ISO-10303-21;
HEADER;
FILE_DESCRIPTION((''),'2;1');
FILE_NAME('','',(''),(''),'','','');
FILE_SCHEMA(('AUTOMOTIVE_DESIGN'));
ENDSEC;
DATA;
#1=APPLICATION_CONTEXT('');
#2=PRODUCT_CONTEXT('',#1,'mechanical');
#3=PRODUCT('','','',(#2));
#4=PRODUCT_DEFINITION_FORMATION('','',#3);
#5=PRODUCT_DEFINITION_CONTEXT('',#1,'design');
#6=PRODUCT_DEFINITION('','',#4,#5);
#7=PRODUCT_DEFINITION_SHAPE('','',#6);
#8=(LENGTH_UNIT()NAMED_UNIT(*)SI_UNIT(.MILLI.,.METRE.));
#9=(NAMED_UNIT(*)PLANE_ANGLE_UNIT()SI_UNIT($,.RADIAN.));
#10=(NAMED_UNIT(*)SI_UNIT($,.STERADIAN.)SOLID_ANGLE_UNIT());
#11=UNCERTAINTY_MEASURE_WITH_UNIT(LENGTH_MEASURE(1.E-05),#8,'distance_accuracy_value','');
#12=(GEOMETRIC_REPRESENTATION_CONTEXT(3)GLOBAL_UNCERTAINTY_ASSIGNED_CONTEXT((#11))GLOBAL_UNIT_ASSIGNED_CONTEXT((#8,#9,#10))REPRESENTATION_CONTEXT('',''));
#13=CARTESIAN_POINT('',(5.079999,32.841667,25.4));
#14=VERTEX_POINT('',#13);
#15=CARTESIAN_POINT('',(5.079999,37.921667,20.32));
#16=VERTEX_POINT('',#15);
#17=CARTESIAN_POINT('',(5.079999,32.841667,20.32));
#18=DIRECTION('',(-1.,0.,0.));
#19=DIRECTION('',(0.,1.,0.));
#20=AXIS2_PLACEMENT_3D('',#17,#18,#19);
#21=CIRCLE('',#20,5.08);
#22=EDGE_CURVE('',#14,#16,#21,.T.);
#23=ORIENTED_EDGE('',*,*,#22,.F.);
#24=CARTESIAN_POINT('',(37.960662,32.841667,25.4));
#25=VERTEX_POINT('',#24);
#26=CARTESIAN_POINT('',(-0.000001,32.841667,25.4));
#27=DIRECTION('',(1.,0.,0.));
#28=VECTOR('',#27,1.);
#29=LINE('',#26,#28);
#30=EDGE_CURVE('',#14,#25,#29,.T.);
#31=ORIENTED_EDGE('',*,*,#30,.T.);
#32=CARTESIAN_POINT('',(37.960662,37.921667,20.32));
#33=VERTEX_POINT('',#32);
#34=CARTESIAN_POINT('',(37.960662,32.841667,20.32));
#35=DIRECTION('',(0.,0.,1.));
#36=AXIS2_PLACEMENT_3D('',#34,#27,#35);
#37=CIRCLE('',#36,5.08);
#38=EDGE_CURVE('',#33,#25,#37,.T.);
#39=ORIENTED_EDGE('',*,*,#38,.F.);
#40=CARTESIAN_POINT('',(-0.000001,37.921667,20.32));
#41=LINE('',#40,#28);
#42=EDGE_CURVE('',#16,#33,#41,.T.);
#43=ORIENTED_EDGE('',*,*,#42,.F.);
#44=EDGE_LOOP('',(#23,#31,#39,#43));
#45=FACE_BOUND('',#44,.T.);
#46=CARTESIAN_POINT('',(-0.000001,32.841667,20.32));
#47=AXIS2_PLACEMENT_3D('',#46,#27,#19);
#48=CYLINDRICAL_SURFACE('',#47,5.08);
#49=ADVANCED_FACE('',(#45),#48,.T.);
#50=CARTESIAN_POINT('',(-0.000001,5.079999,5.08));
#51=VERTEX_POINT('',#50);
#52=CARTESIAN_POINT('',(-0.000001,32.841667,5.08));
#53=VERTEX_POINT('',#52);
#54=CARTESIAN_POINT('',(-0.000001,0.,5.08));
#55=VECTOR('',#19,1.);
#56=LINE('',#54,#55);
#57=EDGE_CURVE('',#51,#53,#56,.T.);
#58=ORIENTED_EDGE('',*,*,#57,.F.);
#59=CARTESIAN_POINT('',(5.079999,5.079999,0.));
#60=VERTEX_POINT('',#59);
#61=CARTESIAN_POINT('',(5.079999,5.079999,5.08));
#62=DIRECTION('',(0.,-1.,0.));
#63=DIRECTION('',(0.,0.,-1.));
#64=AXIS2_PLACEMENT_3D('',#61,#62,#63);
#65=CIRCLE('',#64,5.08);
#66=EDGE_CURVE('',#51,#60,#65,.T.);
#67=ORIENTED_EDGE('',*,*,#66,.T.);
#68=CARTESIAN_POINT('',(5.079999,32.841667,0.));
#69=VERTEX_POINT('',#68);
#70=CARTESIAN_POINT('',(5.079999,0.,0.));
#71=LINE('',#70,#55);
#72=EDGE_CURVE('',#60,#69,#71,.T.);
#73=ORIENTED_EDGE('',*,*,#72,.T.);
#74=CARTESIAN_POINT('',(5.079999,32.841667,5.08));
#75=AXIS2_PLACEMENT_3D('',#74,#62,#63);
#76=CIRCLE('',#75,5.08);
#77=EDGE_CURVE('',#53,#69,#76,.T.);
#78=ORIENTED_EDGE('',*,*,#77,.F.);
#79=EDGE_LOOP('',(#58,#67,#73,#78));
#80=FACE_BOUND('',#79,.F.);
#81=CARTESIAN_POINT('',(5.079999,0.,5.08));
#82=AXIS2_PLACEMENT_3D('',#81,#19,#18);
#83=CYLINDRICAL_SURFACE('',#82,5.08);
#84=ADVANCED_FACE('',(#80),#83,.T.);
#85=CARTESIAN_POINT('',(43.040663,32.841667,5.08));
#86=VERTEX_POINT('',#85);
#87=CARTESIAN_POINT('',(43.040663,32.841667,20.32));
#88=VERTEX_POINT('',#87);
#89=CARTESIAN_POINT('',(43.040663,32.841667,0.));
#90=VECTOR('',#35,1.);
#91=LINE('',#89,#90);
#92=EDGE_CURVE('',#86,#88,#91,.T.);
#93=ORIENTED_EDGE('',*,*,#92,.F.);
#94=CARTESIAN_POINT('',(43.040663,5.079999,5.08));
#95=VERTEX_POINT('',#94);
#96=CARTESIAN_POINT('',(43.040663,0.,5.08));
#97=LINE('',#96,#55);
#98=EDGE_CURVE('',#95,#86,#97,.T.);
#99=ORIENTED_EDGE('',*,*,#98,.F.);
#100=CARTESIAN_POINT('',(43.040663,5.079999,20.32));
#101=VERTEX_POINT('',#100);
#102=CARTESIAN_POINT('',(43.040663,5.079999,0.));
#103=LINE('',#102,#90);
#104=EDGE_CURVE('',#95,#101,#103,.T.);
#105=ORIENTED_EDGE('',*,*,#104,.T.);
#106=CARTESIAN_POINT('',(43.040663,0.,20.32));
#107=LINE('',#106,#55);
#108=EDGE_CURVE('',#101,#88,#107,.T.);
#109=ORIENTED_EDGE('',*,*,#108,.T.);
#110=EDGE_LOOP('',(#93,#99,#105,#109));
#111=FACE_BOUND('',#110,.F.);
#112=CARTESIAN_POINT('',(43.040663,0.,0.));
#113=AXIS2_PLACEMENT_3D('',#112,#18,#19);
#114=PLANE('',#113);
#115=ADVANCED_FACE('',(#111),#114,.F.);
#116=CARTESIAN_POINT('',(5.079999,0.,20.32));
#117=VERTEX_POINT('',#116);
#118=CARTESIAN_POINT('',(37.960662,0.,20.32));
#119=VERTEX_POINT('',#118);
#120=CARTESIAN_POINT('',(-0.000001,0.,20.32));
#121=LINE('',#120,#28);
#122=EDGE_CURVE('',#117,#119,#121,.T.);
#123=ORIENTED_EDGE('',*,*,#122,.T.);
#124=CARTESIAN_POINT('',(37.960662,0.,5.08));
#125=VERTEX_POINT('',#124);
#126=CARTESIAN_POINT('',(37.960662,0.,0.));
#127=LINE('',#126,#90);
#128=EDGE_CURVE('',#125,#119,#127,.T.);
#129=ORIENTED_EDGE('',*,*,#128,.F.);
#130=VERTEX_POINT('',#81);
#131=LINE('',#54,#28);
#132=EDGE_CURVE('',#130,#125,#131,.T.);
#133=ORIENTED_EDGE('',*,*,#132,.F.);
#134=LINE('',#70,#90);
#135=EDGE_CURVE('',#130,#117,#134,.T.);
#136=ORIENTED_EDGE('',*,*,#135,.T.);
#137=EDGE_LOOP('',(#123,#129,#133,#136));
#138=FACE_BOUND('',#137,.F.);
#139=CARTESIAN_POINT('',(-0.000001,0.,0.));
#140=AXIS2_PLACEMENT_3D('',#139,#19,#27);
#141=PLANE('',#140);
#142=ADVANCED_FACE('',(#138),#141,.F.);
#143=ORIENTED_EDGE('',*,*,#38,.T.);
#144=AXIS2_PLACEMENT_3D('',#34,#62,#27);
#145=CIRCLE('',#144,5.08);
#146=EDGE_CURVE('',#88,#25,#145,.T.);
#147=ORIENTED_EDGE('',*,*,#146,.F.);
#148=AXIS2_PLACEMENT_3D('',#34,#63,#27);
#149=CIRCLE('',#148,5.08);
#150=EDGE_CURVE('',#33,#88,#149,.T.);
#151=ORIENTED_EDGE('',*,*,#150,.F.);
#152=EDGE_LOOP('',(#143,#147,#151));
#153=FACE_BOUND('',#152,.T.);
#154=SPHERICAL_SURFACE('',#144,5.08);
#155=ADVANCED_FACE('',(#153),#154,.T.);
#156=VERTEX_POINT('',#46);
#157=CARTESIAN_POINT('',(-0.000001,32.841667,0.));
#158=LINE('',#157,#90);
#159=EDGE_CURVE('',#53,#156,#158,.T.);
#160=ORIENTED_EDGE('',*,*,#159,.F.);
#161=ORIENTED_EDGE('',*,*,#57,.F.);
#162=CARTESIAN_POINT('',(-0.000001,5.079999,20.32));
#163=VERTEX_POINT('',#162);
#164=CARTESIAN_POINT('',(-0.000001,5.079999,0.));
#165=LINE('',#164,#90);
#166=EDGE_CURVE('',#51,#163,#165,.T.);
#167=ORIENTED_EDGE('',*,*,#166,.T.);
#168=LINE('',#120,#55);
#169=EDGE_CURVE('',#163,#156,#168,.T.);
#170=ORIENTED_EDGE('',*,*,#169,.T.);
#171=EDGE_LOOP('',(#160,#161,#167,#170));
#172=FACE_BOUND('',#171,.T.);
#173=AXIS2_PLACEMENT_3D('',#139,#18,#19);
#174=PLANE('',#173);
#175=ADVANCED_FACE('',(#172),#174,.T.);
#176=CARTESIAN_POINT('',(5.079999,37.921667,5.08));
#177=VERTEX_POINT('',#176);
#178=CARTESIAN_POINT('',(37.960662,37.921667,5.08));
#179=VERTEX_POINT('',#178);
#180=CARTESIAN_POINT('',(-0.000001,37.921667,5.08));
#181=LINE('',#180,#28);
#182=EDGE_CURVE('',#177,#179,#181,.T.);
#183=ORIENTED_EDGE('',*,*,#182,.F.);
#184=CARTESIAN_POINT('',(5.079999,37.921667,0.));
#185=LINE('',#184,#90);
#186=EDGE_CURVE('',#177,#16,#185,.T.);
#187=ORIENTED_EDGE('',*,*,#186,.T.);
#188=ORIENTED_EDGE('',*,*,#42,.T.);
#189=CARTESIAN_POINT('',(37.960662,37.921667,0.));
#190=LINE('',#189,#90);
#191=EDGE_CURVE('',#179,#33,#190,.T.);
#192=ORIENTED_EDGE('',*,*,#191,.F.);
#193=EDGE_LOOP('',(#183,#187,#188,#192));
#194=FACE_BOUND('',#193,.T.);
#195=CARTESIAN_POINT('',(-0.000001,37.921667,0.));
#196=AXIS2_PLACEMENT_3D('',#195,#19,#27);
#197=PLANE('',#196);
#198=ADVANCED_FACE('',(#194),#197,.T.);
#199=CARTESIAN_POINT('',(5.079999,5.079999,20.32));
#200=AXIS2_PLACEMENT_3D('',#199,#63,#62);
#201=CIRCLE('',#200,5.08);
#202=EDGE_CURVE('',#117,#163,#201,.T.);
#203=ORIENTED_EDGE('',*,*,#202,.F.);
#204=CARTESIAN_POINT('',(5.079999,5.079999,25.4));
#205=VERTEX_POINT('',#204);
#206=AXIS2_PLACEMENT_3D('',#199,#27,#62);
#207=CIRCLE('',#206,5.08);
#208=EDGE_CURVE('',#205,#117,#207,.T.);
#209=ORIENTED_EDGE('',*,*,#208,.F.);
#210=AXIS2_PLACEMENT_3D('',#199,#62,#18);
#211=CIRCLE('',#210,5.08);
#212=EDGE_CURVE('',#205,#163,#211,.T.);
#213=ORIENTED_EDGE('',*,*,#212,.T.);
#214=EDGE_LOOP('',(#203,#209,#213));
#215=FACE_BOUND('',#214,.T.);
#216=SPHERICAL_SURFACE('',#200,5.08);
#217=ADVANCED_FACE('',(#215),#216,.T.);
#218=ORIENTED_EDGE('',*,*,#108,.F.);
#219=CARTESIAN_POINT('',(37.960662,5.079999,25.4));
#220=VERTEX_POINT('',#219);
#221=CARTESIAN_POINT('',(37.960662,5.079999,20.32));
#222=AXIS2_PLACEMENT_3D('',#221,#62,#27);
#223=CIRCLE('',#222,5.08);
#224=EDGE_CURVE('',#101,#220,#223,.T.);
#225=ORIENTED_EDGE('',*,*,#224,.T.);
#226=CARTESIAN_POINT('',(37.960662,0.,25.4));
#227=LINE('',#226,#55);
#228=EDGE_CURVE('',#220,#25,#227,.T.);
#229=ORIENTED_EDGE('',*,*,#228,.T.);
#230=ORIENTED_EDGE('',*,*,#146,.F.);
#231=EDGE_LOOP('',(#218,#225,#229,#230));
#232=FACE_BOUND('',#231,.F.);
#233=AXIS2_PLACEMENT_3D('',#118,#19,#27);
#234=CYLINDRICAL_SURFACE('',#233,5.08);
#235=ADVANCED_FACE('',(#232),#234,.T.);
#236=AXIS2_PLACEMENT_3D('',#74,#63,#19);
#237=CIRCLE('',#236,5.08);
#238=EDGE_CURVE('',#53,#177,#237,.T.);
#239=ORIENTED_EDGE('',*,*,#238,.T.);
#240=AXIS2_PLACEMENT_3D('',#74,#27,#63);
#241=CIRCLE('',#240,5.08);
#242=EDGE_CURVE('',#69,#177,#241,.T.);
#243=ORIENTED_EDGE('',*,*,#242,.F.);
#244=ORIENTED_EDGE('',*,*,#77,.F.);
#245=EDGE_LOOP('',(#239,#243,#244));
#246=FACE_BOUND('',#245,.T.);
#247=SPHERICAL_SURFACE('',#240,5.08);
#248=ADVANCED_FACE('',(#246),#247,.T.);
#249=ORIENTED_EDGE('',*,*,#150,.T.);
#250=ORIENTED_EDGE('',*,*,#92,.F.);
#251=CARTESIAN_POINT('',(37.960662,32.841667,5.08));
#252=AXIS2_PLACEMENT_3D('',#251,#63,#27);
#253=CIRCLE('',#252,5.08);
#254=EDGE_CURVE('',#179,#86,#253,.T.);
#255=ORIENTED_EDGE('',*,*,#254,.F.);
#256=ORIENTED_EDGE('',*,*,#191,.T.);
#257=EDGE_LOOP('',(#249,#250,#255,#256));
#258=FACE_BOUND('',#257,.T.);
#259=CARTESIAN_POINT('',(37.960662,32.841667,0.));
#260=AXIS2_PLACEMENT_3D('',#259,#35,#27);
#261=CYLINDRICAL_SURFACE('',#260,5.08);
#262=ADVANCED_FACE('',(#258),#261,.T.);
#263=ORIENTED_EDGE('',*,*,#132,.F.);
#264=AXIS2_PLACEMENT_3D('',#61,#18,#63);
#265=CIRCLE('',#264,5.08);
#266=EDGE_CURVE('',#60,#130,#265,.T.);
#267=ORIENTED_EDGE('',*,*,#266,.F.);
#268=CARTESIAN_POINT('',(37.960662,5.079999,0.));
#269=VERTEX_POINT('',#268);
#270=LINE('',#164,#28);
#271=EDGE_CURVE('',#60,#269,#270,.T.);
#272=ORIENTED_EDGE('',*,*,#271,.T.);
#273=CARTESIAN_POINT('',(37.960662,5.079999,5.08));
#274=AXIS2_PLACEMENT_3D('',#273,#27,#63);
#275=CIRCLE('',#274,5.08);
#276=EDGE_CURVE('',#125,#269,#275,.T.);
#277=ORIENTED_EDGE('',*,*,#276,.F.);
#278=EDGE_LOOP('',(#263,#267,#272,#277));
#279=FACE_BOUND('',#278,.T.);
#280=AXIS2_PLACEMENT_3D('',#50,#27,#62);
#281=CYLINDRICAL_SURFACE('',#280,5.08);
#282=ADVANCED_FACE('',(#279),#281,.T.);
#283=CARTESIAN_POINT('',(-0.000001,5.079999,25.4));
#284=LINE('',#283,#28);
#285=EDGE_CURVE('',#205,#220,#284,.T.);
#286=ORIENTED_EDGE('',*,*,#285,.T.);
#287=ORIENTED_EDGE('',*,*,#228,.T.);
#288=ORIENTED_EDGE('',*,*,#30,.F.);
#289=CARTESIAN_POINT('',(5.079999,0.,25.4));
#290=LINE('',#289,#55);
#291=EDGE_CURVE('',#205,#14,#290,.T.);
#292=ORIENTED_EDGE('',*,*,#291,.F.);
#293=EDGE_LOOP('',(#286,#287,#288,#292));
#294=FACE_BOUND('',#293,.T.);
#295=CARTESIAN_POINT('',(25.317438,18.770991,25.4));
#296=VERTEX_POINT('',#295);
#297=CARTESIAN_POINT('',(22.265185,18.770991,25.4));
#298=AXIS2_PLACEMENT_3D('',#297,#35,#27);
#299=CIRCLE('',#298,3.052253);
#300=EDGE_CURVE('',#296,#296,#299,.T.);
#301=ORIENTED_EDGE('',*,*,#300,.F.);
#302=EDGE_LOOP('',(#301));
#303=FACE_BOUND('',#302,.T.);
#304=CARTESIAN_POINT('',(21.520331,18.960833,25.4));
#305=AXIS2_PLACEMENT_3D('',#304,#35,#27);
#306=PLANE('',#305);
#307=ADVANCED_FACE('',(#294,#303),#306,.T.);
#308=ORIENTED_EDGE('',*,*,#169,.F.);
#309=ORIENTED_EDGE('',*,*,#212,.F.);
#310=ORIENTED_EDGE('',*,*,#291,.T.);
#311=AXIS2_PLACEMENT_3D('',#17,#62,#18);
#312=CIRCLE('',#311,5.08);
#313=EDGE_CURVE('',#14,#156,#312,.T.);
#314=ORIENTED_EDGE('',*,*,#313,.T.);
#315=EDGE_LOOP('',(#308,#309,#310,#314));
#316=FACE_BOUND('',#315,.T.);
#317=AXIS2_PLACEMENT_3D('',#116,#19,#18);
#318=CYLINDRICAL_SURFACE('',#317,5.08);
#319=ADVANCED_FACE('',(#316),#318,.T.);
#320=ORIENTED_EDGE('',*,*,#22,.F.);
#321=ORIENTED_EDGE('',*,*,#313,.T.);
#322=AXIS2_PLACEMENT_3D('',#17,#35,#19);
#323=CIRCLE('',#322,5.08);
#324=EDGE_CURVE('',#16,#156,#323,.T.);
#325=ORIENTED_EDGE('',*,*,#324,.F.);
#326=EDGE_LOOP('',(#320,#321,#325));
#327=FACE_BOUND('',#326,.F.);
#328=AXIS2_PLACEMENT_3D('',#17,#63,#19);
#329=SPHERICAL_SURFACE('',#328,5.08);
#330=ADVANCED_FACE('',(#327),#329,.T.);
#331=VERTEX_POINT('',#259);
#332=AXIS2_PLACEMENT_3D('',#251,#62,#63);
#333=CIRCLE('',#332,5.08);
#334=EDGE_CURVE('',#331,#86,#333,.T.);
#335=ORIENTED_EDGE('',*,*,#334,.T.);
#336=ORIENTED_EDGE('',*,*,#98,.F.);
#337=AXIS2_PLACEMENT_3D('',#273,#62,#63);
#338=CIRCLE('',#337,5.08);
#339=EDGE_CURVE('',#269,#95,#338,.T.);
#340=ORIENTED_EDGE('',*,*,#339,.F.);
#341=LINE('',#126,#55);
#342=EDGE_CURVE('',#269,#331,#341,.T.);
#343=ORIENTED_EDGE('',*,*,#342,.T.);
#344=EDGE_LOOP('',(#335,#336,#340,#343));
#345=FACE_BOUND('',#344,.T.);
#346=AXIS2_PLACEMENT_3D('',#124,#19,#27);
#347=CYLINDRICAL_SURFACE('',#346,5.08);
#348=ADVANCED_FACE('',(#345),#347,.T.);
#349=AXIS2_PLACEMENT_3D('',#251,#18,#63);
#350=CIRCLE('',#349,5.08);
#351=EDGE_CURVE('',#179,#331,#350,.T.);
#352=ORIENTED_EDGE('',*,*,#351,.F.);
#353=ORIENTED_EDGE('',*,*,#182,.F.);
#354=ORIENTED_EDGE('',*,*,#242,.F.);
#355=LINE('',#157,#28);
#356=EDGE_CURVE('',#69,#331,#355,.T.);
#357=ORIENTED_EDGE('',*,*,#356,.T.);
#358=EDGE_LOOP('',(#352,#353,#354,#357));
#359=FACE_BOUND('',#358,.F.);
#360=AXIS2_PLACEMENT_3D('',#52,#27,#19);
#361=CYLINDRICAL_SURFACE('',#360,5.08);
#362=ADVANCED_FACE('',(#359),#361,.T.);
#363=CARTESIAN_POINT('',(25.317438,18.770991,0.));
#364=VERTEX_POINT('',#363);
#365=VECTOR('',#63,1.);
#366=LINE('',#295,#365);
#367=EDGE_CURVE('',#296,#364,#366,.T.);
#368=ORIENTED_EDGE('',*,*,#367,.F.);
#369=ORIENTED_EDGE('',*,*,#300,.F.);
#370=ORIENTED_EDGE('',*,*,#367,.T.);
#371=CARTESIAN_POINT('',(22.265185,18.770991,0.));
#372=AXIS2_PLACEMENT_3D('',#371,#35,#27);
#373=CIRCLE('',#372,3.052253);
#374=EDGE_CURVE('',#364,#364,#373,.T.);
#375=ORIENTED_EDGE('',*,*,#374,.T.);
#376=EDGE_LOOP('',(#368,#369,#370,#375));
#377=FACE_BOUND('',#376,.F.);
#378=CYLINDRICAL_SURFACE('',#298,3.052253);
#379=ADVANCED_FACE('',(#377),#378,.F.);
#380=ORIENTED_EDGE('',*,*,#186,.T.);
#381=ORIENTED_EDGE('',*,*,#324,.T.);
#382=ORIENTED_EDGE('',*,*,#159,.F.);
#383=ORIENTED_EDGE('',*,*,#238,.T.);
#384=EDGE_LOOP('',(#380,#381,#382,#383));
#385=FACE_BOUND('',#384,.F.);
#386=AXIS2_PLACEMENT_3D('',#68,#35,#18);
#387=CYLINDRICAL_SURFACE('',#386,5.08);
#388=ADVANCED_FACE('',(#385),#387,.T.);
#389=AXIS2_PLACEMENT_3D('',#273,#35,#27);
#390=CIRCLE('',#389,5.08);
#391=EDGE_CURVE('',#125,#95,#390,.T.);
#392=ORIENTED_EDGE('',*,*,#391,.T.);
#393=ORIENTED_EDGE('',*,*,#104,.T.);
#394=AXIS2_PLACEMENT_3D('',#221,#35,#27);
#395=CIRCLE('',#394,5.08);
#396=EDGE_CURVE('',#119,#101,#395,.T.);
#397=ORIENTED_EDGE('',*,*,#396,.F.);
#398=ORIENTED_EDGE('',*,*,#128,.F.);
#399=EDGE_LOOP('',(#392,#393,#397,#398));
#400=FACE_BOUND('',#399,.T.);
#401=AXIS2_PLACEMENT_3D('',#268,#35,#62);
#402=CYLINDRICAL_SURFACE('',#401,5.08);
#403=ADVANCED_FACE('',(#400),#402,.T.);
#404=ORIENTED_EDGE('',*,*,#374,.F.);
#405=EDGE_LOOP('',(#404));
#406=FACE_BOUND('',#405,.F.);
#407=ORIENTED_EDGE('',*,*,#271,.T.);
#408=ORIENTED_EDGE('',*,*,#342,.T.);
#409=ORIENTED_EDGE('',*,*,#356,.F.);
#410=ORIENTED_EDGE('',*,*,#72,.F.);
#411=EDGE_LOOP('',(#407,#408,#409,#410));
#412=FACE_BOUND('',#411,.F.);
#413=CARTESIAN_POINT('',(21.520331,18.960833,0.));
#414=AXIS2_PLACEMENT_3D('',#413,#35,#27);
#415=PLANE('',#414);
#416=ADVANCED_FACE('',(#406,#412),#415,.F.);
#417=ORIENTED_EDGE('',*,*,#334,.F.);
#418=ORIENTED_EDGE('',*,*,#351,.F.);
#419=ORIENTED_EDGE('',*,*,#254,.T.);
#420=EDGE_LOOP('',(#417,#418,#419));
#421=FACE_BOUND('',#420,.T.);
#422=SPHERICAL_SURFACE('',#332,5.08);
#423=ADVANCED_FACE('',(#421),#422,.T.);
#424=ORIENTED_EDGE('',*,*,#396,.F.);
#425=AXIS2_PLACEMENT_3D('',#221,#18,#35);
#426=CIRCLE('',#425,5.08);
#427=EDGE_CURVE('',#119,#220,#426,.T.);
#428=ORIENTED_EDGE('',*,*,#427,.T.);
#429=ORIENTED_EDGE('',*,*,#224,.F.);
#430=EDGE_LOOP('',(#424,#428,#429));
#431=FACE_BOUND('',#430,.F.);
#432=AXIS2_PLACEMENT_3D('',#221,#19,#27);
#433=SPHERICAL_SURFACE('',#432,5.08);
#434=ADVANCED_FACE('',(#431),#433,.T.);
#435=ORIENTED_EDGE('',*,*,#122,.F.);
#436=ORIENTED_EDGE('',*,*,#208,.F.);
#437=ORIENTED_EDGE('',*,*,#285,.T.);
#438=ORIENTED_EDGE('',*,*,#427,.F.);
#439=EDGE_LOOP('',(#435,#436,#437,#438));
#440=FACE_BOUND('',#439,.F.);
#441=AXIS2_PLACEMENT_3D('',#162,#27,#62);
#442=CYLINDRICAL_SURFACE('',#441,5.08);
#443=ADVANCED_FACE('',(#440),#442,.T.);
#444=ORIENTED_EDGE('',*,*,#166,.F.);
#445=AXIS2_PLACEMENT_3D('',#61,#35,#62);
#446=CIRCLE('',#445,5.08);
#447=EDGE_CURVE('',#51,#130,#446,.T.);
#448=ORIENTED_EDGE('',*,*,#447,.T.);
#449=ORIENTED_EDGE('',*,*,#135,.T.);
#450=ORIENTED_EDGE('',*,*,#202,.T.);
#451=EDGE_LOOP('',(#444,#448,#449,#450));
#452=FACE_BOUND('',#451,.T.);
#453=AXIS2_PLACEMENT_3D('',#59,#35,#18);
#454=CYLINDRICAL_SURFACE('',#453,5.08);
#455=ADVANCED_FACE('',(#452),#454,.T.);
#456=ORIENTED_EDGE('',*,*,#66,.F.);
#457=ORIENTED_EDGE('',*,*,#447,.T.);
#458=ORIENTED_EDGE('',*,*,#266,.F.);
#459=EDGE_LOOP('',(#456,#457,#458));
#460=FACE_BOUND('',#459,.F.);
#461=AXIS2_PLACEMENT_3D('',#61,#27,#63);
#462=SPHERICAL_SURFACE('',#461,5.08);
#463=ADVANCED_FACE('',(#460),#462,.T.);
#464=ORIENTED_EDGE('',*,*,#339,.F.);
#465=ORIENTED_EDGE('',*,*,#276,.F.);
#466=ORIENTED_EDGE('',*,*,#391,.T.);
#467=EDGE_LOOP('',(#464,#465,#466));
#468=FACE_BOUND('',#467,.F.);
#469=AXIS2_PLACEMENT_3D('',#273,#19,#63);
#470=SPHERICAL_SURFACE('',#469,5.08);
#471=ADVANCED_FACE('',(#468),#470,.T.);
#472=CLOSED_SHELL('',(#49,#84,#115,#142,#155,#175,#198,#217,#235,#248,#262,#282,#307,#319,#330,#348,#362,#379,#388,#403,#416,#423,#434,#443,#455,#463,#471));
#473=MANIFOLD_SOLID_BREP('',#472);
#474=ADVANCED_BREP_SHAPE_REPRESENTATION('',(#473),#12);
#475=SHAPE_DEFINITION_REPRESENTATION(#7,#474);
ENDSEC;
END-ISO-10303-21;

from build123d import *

# Parameters (mm, degrees)
F0_W     = 43.040663
F0_H     = 37.921667
F1_DEPTH = 25.4
F2_R     = 5.08
F3_R     = 3.052253
F4_DEPTH = 25.4


with BuildPart() as f1:
    # F0 (on Top) → F1 (new body)
    with BuildSketch(Plane.XY):
        with Locations((21.520331, 18.960833)):
            Rectangle(F0_W, F0_H)
    extrude(amount=F1_DEPTH)

    # F2
    f2_edges = [f1.edges().sort_by_distance(p)[0] for p in [
        (43.040663, 18.960834, 0),
        (21.520332, 37.921667, 0),
        (21.520332, 0, 0),
        (0, 18.960834, 0),
        (43.040663, 18.960834, 25.4),
        (43.040663, 37.921667, 12.7),
        (43.040663, 0, 12.7),
        (0, 0, 12.7),
        (0, 37.921667, 12.7),
        (21.520332, 37.921667, 25.4),
        (21.520332, 0, 25.4),
        (0, 18.960834, 25.4),
    ]]
    fillet(f2_edges, radius=F2_R)

    # F3 (on face) → F4 (cut)
    with BuildSketch(Plane.XY.offset(25.4)):
        with Locations((22.265185, 18.770991)):
            Circle(F3_R)
    extrude(amount=-F4_DEPTH, mode=Mode.SUBTRACT)


solid = f1.part
